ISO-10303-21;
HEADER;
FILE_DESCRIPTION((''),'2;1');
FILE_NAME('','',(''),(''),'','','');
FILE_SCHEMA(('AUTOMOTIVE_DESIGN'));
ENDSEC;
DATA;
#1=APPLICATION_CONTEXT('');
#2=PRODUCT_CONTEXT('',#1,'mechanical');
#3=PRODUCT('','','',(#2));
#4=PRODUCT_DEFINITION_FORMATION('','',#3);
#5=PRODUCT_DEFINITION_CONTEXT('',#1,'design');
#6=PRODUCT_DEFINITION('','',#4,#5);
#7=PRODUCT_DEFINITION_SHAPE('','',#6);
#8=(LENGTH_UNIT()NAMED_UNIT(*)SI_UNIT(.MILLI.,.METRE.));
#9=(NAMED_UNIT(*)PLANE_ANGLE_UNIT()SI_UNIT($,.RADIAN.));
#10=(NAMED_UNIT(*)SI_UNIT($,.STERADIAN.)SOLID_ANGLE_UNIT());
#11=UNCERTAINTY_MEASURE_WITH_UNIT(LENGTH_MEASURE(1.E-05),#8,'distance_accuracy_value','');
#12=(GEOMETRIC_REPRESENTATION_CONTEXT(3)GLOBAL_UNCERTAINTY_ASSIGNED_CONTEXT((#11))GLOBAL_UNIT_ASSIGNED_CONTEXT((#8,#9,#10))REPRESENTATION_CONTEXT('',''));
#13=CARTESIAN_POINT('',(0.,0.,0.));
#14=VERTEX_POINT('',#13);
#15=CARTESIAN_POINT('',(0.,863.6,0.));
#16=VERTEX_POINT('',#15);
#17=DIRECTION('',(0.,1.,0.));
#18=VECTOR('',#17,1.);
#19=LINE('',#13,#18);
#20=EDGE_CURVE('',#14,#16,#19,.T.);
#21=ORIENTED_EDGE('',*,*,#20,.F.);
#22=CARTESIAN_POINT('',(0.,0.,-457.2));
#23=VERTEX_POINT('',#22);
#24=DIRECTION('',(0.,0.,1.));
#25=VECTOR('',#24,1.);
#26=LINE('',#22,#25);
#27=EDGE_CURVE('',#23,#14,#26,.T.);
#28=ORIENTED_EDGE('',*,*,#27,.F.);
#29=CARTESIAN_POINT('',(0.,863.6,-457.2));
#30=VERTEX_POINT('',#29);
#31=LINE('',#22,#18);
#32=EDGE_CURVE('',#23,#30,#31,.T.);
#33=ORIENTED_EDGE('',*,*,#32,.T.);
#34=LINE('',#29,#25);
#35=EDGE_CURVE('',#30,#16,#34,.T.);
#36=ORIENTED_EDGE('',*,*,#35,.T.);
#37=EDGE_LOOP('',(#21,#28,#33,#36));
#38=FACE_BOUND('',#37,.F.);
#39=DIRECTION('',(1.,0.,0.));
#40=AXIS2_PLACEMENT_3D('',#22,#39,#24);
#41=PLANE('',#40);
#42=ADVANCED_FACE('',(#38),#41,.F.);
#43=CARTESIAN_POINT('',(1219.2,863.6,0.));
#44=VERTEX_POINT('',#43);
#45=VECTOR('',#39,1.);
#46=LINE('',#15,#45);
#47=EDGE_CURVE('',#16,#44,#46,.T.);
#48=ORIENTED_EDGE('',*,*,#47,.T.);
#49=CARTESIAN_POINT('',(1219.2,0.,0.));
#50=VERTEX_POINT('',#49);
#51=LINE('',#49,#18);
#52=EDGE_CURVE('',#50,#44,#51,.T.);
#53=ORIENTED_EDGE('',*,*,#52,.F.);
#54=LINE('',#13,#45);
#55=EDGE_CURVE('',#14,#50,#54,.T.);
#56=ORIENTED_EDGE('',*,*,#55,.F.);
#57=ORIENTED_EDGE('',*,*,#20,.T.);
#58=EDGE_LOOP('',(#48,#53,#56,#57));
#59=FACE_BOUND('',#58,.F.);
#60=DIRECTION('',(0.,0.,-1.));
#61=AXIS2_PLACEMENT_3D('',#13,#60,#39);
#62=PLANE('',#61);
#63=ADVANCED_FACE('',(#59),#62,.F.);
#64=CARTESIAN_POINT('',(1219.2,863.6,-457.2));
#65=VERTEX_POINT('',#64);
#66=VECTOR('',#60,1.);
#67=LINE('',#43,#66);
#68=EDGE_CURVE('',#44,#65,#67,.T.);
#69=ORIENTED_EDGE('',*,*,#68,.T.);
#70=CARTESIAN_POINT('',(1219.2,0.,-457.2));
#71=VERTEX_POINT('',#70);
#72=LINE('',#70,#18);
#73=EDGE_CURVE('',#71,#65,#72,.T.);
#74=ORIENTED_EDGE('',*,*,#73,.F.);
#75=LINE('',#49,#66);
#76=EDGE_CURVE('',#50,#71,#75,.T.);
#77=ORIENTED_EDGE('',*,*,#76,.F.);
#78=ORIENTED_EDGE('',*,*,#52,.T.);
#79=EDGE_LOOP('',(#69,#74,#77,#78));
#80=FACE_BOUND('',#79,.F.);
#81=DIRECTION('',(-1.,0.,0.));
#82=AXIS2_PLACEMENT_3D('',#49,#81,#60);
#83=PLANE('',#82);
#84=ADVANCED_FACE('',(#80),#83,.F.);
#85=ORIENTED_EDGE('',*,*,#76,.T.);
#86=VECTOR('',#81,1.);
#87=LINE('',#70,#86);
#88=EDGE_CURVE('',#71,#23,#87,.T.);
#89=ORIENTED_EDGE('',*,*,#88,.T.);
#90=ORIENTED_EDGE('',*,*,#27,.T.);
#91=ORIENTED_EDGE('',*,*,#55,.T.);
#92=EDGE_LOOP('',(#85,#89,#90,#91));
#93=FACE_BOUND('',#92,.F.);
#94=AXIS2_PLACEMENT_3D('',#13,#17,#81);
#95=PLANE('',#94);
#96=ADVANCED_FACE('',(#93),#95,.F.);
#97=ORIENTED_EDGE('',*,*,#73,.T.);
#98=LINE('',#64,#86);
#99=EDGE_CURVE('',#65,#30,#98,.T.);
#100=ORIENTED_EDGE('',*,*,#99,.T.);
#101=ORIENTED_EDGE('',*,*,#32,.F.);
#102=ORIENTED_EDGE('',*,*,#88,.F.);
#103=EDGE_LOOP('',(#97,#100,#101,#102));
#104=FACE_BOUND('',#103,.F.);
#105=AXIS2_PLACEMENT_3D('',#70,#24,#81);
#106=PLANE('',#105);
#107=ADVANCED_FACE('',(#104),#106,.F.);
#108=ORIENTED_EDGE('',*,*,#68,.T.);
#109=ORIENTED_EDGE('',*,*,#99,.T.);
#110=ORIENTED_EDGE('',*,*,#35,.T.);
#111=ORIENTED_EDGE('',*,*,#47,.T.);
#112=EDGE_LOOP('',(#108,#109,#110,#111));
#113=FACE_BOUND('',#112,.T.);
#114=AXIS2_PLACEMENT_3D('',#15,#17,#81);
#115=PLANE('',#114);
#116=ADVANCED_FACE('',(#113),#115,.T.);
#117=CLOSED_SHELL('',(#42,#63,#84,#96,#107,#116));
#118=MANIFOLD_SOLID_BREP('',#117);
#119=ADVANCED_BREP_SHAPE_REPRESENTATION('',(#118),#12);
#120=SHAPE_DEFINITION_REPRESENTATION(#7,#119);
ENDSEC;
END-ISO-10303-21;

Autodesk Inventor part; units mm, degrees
ref_plane "YZ Plane" through (0, 0, 0) normal (1, 0, 0) x (0, 1, 0)
ref_plane "XZ Plane" through (0, 0, 0) normal (0, 1, 0) x (-1, 0, 0)
ref_plane "XY Plane" through (0, 0, 0) normal (0, 0, 1) x (1, 0, 0)
sketch "Sketch2" plane through (0, 0, 0) normal (0, 1, 0) x (-1, 0, 0)
  line L0 (0, 0) -> (-1219.2, 0)
  line L1 (-1219.2, 0) -> (-1219.2, -457.2)
  line L2 (-1219.2, -457.2) -> (0, -457.2)
  line L3 (0, -457.2) -> (0, 0)
  dimension "d3" = 1219.2
  dimension "d4" = 457.2
extrude "Extrusion1" add sketch "Sketch2" along normal blind 863.6
properties part number "34x18x48 - 3"
